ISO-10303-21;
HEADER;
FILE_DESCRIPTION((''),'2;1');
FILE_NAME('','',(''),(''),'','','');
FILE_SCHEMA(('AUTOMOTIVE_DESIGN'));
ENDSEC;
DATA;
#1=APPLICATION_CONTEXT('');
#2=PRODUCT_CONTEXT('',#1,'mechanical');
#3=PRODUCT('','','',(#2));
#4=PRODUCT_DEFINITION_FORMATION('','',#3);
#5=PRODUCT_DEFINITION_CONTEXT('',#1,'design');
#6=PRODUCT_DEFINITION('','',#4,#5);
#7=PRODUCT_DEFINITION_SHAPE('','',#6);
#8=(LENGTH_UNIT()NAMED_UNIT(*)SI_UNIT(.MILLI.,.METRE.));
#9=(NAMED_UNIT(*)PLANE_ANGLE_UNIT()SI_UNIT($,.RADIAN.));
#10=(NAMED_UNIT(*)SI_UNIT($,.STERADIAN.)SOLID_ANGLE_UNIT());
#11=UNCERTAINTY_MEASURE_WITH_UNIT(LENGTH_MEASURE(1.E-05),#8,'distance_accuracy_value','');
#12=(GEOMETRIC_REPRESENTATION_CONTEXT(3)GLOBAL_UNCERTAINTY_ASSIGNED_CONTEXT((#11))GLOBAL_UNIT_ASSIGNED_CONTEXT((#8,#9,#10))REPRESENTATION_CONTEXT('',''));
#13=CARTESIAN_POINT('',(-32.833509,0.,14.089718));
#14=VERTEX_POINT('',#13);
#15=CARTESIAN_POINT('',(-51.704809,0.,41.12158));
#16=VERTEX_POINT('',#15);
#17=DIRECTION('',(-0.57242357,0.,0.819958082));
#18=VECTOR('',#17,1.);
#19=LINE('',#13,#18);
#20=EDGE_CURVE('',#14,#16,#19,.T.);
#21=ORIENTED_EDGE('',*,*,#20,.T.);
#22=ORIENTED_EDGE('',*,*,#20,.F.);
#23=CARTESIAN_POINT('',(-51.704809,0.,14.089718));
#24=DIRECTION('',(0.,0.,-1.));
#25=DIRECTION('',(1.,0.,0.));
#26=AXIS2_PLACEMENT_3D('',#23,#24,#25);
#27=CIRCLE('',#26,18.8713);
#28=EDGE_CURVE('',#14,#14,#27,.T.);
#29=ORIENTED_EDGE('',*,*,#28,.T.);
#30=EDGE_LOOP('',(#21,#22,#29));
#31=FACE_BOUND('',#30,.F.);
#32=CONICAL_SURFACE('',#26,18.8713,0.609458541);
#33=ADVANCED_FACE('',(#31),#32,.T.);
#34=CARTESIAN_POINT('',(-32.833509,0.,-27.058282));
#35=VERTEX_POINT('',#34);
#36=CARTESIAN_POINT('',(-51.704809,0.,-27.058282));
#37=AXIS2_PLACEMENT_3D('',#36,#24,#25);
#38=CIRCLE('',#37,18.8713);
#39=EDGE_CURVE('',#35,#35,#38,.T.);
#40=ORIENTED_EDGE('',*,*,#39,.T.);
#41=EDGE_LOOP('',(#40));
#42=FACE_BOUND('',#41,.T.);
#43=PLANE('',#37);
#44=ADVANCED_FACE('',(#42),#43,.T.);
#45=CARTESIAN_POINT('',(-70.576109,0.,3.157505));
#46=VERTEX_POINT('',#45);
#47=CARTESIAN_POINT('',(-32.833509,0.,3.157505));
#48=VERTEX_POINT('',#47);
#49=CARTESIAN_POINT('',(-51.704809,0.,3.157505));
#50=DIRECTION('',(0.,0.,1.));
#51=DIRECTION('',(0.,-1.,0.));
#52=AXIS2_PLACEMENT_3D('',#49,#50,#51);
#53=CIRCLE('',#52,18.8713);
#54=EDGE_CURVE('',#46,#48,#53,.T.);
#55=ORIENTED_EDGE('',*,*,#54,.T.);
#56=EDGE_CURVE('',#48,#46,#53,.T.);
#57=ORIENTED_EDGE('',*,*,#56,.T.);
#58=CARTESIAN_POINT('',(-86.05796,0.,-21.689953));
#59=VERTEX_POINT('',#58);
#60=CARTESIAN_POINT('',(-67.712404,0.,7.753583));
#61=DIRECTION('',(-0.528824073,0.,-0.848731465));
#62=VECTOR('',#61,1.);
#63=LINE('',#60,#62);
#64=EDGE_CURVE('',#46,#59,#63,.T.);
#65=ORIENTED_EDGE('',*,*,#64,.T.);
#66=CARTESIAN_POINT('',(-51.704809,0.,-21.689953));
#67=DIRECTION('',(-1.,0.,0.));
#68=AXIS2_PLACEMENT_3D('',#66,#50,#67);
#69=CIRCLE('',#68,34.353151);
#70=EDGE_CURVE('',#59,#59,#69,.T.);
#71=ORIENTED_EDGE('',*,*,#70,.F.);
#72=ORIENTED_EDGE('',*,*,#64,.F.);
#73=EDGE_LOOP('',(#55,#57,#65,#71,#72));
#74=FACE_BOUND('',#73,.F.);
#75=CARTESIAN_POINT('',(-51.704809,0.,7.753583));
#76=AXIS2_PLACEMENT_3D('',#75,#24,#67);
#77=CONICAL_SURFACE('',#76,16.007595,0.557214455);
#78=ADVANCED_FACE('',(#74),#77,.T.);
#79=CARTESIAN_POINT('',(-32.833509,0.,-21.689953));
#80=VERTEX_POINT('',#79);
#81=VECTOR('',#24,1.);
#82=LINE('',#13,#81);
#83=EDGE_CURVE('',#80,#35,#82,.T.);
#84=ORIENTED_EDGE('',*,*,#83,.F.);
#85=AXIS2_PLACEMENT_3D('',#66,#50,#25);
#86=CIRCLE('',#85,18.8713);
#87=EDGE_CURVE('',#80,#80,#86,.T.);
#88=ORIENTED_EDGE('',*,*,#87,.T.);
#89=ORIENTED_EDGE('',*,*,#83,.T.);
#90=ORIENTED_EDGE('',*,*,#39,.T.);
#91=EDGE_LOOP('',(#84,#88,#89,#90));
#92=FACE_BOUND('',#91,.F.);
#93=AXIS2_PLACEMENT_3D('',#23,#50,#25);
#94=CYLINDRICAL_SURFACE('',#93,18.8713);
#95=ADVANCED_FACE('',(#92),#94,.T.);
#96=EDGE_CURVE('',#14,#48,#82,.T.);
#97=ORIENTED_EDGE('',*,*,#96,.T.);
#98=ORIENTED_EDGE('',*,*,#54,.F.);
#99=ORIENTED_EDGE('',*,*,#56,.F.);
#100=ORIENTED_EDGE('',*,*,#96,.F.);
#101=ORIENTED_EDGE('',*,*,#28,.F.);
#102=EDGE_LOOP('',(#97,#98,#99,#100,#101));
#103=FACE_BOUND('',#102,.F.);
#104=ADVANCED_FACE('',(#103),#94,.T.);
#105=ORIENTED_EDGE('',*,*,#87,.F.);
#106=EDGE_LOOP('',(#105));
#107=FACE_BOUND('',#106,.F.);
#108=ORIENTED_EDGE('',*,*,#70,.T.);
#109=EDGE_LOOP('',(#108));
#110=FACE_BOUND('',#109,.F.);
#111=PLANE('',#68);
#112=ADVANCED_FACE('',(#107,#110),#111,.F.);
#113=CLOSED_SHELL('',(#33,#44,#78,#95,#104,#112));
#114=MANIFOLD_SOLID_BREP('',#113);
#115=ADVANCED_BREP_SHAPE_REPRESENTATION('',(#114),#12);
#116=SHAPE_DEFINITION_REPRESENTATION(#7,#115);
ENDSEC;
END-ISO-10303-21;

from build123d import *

# Parameters (mm, degrees)
F3_R     = 18.8713
F4_DEPTH = 41.148


with BuildPart() as f2:
    # F0 (on Front) → F2 (revolve)
    with BuildSketch(Plane.XZ):
        Polygon((-32.833509, 14.089718), (-51.704809, 41.12158), (-51.704809, 14.089718), align=None)
    revolve(axis=Axis((-51.704809, 0, 27.223122), (0, 0, -1)))

    # F3 (on face) → F4 (join)
    with BuildSketch(Plane(origin=(0, 0, 14.089718), x_dir=(1, 0, 0), z_dir=(0, 0, -1))):
        with Locations((-51.704809, 0)):
            Circle(F3_R)
    extrude(amount=F4_DEPTH)

    # F5 (on Front) → F6 (revolve)
    with BuildSketch(Plane.XZ):
        Polygon((-67.939401, -21.689953), (-67.712404, 7.753583), (-86.05796, -21.689953), align=None)
    revolve(axis=Axis((-51.704809, 0, 12.922877), (0, 0, 1)))


solid = f2.part
